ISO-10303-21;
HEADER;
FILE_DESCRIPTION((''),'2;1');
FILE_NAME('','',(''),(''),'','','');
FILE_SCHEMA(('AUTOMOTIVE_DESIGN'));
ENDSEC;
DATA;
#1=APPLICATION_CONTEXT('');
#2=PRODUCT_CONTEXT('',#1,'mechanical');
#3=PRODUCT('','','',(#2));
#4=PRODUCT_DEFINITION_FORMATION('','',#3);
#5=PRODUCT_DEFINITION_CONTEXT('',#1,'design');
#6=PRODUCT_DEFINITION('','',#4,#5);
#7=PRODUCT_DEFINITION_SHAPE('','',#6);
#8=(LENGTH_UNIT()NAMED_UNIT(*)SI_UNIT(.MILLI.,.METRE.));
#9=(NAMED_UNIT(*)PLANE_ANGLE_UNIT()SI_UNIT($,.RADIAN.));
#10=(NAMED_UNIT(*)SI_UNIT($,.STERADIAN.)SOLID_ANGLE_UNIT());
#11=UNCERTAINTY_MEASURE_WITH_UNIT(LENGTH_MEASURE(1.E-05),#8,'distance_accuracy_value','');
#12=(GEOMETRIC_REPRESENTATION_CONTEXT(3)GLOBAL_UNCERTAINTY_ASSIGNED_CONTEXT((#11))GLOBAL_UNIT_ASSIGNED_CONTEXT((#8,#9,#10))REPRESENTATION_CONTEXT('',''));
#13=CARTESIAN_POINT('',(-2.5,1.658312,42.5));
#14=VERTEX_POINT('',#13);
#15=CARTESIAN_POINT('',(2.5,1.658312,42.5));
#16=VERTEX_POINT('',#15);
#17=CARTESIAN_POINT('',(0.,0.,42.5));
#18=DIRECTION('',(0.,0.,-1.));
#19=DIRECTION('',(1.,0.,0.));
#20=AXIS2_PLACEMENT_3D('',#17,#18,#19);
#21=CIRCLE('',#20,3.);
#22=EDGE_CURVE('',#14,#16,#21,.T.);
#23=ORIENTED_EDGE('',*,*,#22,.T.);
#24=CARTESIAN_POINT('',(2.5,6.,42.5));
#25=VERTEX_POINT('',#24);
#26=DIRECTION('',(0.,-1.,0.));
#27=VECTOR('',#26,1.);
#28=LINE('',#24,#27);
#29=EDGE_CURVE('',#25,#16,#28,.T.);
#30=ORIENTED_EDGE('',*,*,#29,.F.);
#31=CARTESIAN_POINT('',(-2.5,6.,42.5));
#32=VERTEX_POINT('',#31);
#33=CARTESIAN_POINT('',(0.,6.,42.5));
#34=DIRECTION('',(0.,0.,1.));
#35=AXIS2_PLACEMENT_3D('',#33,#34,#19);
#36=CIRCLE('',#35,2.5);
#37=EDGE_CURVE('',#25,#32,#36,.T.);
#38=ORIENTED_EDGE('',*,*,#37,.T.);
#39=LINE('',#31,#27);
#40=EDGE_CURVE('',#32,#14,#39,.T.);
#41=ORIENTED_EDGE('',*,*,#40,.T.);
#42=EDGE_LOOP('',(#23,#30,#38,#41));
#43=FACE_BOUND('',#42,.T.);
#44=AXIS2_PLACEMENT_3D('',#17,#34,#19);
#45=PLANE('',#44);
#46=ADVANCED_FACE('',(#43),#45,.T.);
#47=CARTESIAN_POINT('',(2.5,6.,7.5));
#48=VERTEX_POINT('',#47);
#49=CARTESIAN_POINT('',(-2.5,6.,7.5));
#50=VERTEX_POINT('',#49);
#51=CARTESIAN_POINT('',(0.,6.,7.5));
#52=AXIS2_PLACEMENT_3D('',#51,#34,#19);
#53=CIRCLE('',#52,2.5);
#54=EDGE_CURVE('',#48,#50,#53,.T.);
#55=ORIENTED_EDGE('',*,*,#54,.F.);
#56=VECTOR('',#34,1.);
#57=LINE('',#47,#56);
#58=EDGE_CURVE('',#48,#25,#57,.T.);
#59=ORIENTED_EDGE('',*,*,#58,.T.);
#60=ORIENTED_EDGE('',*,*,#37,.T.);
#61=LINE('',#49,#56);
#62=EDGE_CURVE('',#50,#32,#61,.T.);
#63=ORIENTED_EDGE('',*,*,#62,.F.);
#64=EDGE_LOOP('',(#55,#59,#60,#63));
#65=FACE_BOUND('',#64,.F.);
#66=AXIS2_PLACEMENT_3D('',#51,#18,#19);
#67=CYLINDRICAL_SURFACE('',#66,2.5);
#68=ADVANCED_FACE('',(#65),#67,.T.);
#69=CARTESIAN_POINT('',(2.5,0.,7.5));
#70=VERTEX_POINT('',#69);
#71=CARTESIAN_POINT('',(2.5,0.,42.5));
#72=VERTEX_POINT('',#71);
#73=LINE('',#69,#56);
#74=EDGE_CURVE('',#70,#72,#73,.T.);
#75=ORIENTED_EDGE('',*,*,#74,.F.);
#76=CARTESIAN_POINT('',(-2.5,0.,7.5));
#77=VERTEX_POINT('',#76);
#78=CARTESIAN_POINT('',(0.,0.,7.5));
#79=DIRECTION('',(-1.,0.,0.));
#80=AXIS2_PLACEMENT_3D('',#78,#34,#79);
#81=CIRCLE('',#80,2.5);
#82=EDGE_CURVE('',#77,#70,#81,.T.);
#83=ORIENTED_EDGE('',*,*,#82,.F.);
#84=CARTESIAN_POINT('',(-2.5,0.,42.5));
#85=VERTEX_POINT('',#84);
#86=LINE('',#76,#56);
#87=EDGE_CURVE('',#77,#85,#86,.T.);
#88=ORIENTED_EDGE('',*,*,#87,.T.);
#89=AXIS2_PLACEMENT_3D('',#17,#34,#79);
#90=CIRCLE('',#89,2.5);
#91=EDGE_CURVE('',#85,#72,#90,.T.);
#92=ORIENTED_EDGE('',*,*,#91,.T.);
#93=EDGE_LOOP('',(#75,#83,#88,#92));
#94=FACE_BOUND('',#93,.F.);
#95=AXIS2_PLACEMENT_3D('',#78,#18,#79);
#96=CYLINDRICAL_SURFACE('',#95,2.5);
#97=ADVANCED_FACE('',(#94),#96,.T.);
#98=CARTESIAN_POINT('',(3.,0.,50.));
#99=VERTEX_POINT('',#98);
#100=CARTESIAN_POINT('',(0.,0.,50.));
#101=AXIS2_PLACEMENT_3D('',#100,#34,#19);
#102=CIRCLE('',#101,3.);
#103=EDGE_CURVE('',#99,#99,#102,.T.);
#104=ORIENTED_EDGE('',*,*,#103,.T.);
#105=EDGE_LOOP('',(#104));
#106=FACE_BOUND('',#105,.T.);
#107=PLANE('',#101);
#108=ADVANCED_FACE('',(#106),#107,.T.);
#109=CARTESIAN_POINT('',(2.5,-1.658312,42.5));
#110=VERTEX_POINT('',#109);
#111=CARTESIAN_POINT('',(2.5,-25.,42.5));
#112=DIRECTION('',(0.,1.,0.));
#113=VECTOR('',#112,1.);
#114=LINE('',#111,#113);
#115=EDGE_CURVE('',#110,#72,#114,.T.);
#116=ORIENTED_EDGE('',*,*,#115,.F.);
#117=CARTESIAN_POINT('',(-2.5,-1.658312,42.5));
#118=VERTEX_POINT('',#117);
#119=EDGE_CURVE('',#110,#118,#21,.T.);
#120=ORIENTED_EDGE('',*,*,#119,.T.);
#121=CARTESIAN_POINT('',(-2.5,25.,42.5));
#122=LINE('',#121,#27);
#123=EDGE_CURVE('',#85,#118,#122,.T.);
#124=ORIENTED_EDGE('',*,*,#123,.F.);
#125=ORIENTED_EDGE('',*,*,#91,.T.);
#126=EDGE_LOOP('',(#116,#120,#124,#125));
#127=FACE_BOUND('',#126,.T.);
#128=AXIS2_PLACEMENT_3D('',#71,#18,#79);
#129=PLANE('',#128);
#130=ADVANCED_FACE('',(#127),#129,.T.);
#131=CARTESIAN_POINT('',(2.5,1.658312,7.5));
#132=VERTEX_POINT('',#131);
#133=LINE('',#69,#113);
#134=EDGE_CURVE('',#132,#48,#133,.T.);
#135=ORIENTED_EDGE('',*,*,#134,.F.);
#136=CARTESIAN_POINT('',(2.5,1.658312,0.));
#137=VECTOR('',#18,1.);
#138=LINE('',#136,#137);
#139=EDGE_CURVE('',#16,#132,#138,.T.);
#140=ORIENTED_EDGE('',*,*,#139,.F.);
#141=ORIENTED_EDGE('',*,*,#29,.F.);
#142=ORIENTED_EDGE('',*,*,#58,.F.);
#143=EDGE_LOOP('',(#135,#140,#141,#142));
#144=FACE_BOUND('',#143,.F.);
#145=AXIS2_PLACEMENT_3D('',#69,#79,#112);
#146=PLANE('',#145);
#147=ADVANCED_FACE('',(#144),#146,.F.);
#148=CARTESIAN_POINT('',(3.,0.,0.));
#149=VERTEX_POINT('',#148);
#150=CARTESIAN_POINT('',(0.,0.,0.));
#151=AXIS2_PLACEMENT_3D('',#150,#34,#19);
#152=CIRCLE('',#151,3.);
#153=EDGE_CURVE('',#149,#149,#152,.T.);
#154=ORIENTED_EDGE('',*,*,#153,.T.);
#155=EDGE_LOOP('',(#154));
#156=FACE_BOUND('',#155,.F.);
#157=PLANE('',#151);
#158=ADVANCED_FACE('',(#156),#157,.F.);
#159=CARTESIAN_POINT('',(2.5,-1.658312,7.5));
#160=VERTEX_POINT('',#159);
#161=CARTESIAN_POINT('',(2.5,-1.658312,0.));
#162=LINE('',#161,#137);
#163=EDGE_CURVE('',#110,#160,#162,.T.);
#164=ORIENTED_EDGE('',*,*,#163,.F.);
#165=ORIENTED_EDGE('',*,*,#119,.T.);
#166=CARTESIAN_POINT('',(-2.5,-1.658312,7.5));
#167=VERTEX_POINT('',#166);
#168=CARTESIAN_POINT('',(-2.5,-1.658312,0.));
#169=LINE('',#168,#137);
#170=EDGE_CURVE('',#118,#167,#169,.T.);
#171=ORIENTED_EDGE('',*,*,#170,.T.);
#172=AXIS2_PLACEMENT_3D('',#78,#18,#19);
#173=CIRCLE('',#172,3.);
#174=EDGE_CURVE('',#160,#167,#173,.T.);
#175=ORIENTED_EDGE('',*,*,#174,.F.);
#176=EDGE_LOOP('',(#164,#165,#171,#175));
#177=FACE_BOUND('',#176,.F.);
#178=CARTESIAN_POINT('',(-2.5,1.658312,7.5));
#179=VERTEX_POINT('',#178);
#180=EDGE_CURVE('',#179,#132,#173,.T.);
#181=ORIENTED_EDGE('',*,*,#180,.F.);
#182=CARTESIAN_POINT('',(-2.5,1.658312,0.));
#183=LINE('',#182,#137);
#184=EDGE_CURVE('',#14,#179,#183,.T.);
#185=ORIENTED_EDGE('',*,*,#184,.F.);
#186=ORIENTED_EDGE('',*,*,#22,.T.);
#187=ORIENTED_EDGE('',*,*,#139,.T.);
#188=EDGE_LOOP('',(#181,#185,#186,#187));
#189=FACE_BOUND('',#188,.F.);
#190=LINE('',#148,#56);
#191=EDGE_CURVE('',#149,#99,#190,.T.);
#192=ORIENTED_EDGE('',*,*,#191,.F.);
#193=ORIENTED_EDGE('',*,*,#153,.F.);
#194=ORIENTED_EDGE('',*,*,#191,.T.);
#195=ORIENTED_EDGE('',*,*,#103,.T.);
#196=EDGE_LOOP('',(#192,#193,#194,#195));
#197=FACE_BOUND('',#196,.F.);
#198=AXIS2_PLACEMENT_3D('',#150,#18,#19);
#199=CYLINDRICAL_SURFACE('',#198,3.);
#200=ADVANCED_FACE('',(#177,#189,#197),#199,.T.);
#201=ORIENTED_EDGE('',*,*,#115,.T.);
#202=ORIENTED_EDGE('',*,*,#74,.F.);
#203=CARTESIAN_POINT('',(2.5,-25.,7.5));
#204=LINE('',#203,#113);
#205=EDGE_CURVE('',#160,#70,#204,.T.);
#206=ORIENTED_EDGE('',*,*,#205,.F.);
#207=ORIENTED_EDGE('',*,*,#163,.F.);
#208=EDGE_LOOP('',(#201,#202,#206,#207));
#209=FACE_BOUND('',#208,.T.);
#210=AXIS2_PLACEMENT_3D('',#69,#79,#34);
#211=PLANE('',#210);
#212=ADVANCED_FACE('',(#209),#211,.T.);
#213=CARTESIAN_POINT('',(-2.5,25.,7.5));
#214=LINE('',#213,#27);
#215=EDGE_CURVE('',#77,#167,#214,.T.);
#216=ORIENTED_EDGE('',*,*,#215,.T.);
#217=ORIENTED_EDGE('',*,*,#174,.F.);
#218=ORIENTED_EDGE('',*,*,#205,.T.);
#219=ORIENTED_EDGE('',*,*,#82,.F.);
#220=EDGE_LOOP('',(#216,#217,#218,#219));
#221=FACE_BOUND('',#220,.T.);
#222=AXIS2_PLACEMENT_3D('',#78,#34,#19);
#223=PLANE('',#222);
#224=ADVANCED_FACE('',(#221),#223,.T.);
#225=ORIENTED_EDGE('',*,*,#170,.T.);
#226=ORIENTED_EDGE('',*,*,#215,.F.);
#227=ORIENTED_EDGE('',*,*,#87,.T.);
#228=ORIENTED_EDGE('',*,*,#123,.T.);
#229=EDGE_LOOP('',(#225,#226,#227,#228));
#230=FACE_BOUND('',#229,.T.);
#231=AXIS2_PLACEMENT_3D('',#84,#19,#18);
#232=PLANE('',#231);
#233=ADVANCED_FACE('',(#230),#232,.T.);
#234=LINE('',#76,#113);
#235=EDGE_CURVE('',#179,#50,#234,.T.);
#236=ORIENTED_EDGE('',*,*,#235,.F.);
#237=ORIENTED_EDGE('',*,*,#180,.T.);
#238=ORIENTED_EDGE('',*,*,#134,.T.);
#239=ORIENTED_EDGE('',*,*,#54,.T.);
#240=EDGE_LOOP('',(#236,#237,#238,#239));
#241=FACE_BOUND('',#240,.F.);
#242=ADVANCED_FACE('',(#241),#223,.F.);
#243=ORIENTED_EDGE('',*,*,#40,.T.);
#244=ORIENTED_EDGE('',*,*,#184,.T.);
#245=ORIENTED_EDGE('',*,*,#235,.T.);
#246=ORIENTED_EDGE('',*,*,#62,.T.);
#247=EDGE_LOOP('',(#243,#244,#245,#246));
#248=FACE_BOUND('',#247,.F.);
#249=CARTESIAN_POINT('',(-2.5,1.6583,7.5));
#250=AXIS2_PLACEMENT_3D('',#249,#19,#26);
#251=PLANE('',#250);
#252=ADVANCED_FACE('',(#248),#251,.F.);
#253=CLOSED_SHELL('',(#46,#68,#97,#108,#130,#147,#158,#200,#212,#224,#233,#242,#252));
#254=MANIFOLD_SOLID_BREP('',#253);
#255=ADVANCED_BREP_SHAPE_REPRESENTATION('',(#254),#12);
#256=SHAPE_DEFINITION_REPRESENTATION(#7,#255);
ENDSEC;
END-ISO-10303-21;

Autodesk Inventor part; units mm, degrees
ref_plane "YZ Plane" through (0, 0, 0) normal (1, 0, 0) x (0, 1, 0)
ref_plane "XZ Plane" through (0, 0, 0) normal (0, 1, 0) x (-1, 0, 0)
ref_plane "XY Plane" through (0, 0, 0) normal (0, 0, 1) x (1, 0, 0)
sketch "Эскиз4" plane through (0, 0, 0) normal (0, 0, 1) x (1, 0, 0)
  circle A0 centre (0, 0) radius 3
  dimension "d8" = 6
extrude "Выдавливание3" add sketch "Эскиз4" along normal blind 50
sketch "Эскиз5" plane through (0, 0, 0) normal (0, 1, 0) x (-1, 0, 0)
  line L0 (0, 0) -> (0, 25)
  line L1 (-2.5, 42.5) -> (2.5, 42.5)
  line L2 (2.5, 42.5) -> (2.5, 7.5)
  line L3 (2.5, 7.5) -> (-2.5, 7.5)
  line L4 (-2.5, 7.5) -> (-2.5, 42.5)
  line L5 (-2.5, 42.5) -> (2.5, 7.5) construction
  line L6 (2.5, 42.5) -> (-2.5, 7.5) construction
  dimension "d11" = 25
  dimension "d12" = 5
  dimension "d13" = 35
extrude "Выдавливание4" cut sketch "Эскиз5" against normal mid plane 50
sketch "Эскиз6" plane through (0, 0, 42.5) normal (0, 0, -1) x (-1, 0, 0)
  point P0 (0, 0)
sketch "Эскиз7" plane through (0, 0, 7.5) normal (0, 0, 1) x (1, 0, 0)
  circle A0 centre (0, 0) radius 3
  line L0 (0, 0) -> (0, 6) construction
  arc A1 (2.5, 1.6583) -> (-2.5, 1.6583) centre (0, 0) ccw projected
  line L1 (2.5, 0) -> (2.5, 6)
  line L2 (-2.5, 6) -> (-2.5, 0)
  arc A2 (-2.5, 0) -> (2.5, 0) centre (0, 0) ccw
  arc A3 (2.5, 6) -> (-2.5, 6) centre (0, 6) ccw
  point P0 (1, 1)
  point P1 (0, 3)
  dimension "d16" = 3
  dimension "d17" = 5
extrude "Выдавливание5" add sketch "Эскиз7" along normal blind 35 contours L1 A2 L2 A0 | A0 L2 A3 L1 picked at (0, 1)
properties part number "ведущий вал"
